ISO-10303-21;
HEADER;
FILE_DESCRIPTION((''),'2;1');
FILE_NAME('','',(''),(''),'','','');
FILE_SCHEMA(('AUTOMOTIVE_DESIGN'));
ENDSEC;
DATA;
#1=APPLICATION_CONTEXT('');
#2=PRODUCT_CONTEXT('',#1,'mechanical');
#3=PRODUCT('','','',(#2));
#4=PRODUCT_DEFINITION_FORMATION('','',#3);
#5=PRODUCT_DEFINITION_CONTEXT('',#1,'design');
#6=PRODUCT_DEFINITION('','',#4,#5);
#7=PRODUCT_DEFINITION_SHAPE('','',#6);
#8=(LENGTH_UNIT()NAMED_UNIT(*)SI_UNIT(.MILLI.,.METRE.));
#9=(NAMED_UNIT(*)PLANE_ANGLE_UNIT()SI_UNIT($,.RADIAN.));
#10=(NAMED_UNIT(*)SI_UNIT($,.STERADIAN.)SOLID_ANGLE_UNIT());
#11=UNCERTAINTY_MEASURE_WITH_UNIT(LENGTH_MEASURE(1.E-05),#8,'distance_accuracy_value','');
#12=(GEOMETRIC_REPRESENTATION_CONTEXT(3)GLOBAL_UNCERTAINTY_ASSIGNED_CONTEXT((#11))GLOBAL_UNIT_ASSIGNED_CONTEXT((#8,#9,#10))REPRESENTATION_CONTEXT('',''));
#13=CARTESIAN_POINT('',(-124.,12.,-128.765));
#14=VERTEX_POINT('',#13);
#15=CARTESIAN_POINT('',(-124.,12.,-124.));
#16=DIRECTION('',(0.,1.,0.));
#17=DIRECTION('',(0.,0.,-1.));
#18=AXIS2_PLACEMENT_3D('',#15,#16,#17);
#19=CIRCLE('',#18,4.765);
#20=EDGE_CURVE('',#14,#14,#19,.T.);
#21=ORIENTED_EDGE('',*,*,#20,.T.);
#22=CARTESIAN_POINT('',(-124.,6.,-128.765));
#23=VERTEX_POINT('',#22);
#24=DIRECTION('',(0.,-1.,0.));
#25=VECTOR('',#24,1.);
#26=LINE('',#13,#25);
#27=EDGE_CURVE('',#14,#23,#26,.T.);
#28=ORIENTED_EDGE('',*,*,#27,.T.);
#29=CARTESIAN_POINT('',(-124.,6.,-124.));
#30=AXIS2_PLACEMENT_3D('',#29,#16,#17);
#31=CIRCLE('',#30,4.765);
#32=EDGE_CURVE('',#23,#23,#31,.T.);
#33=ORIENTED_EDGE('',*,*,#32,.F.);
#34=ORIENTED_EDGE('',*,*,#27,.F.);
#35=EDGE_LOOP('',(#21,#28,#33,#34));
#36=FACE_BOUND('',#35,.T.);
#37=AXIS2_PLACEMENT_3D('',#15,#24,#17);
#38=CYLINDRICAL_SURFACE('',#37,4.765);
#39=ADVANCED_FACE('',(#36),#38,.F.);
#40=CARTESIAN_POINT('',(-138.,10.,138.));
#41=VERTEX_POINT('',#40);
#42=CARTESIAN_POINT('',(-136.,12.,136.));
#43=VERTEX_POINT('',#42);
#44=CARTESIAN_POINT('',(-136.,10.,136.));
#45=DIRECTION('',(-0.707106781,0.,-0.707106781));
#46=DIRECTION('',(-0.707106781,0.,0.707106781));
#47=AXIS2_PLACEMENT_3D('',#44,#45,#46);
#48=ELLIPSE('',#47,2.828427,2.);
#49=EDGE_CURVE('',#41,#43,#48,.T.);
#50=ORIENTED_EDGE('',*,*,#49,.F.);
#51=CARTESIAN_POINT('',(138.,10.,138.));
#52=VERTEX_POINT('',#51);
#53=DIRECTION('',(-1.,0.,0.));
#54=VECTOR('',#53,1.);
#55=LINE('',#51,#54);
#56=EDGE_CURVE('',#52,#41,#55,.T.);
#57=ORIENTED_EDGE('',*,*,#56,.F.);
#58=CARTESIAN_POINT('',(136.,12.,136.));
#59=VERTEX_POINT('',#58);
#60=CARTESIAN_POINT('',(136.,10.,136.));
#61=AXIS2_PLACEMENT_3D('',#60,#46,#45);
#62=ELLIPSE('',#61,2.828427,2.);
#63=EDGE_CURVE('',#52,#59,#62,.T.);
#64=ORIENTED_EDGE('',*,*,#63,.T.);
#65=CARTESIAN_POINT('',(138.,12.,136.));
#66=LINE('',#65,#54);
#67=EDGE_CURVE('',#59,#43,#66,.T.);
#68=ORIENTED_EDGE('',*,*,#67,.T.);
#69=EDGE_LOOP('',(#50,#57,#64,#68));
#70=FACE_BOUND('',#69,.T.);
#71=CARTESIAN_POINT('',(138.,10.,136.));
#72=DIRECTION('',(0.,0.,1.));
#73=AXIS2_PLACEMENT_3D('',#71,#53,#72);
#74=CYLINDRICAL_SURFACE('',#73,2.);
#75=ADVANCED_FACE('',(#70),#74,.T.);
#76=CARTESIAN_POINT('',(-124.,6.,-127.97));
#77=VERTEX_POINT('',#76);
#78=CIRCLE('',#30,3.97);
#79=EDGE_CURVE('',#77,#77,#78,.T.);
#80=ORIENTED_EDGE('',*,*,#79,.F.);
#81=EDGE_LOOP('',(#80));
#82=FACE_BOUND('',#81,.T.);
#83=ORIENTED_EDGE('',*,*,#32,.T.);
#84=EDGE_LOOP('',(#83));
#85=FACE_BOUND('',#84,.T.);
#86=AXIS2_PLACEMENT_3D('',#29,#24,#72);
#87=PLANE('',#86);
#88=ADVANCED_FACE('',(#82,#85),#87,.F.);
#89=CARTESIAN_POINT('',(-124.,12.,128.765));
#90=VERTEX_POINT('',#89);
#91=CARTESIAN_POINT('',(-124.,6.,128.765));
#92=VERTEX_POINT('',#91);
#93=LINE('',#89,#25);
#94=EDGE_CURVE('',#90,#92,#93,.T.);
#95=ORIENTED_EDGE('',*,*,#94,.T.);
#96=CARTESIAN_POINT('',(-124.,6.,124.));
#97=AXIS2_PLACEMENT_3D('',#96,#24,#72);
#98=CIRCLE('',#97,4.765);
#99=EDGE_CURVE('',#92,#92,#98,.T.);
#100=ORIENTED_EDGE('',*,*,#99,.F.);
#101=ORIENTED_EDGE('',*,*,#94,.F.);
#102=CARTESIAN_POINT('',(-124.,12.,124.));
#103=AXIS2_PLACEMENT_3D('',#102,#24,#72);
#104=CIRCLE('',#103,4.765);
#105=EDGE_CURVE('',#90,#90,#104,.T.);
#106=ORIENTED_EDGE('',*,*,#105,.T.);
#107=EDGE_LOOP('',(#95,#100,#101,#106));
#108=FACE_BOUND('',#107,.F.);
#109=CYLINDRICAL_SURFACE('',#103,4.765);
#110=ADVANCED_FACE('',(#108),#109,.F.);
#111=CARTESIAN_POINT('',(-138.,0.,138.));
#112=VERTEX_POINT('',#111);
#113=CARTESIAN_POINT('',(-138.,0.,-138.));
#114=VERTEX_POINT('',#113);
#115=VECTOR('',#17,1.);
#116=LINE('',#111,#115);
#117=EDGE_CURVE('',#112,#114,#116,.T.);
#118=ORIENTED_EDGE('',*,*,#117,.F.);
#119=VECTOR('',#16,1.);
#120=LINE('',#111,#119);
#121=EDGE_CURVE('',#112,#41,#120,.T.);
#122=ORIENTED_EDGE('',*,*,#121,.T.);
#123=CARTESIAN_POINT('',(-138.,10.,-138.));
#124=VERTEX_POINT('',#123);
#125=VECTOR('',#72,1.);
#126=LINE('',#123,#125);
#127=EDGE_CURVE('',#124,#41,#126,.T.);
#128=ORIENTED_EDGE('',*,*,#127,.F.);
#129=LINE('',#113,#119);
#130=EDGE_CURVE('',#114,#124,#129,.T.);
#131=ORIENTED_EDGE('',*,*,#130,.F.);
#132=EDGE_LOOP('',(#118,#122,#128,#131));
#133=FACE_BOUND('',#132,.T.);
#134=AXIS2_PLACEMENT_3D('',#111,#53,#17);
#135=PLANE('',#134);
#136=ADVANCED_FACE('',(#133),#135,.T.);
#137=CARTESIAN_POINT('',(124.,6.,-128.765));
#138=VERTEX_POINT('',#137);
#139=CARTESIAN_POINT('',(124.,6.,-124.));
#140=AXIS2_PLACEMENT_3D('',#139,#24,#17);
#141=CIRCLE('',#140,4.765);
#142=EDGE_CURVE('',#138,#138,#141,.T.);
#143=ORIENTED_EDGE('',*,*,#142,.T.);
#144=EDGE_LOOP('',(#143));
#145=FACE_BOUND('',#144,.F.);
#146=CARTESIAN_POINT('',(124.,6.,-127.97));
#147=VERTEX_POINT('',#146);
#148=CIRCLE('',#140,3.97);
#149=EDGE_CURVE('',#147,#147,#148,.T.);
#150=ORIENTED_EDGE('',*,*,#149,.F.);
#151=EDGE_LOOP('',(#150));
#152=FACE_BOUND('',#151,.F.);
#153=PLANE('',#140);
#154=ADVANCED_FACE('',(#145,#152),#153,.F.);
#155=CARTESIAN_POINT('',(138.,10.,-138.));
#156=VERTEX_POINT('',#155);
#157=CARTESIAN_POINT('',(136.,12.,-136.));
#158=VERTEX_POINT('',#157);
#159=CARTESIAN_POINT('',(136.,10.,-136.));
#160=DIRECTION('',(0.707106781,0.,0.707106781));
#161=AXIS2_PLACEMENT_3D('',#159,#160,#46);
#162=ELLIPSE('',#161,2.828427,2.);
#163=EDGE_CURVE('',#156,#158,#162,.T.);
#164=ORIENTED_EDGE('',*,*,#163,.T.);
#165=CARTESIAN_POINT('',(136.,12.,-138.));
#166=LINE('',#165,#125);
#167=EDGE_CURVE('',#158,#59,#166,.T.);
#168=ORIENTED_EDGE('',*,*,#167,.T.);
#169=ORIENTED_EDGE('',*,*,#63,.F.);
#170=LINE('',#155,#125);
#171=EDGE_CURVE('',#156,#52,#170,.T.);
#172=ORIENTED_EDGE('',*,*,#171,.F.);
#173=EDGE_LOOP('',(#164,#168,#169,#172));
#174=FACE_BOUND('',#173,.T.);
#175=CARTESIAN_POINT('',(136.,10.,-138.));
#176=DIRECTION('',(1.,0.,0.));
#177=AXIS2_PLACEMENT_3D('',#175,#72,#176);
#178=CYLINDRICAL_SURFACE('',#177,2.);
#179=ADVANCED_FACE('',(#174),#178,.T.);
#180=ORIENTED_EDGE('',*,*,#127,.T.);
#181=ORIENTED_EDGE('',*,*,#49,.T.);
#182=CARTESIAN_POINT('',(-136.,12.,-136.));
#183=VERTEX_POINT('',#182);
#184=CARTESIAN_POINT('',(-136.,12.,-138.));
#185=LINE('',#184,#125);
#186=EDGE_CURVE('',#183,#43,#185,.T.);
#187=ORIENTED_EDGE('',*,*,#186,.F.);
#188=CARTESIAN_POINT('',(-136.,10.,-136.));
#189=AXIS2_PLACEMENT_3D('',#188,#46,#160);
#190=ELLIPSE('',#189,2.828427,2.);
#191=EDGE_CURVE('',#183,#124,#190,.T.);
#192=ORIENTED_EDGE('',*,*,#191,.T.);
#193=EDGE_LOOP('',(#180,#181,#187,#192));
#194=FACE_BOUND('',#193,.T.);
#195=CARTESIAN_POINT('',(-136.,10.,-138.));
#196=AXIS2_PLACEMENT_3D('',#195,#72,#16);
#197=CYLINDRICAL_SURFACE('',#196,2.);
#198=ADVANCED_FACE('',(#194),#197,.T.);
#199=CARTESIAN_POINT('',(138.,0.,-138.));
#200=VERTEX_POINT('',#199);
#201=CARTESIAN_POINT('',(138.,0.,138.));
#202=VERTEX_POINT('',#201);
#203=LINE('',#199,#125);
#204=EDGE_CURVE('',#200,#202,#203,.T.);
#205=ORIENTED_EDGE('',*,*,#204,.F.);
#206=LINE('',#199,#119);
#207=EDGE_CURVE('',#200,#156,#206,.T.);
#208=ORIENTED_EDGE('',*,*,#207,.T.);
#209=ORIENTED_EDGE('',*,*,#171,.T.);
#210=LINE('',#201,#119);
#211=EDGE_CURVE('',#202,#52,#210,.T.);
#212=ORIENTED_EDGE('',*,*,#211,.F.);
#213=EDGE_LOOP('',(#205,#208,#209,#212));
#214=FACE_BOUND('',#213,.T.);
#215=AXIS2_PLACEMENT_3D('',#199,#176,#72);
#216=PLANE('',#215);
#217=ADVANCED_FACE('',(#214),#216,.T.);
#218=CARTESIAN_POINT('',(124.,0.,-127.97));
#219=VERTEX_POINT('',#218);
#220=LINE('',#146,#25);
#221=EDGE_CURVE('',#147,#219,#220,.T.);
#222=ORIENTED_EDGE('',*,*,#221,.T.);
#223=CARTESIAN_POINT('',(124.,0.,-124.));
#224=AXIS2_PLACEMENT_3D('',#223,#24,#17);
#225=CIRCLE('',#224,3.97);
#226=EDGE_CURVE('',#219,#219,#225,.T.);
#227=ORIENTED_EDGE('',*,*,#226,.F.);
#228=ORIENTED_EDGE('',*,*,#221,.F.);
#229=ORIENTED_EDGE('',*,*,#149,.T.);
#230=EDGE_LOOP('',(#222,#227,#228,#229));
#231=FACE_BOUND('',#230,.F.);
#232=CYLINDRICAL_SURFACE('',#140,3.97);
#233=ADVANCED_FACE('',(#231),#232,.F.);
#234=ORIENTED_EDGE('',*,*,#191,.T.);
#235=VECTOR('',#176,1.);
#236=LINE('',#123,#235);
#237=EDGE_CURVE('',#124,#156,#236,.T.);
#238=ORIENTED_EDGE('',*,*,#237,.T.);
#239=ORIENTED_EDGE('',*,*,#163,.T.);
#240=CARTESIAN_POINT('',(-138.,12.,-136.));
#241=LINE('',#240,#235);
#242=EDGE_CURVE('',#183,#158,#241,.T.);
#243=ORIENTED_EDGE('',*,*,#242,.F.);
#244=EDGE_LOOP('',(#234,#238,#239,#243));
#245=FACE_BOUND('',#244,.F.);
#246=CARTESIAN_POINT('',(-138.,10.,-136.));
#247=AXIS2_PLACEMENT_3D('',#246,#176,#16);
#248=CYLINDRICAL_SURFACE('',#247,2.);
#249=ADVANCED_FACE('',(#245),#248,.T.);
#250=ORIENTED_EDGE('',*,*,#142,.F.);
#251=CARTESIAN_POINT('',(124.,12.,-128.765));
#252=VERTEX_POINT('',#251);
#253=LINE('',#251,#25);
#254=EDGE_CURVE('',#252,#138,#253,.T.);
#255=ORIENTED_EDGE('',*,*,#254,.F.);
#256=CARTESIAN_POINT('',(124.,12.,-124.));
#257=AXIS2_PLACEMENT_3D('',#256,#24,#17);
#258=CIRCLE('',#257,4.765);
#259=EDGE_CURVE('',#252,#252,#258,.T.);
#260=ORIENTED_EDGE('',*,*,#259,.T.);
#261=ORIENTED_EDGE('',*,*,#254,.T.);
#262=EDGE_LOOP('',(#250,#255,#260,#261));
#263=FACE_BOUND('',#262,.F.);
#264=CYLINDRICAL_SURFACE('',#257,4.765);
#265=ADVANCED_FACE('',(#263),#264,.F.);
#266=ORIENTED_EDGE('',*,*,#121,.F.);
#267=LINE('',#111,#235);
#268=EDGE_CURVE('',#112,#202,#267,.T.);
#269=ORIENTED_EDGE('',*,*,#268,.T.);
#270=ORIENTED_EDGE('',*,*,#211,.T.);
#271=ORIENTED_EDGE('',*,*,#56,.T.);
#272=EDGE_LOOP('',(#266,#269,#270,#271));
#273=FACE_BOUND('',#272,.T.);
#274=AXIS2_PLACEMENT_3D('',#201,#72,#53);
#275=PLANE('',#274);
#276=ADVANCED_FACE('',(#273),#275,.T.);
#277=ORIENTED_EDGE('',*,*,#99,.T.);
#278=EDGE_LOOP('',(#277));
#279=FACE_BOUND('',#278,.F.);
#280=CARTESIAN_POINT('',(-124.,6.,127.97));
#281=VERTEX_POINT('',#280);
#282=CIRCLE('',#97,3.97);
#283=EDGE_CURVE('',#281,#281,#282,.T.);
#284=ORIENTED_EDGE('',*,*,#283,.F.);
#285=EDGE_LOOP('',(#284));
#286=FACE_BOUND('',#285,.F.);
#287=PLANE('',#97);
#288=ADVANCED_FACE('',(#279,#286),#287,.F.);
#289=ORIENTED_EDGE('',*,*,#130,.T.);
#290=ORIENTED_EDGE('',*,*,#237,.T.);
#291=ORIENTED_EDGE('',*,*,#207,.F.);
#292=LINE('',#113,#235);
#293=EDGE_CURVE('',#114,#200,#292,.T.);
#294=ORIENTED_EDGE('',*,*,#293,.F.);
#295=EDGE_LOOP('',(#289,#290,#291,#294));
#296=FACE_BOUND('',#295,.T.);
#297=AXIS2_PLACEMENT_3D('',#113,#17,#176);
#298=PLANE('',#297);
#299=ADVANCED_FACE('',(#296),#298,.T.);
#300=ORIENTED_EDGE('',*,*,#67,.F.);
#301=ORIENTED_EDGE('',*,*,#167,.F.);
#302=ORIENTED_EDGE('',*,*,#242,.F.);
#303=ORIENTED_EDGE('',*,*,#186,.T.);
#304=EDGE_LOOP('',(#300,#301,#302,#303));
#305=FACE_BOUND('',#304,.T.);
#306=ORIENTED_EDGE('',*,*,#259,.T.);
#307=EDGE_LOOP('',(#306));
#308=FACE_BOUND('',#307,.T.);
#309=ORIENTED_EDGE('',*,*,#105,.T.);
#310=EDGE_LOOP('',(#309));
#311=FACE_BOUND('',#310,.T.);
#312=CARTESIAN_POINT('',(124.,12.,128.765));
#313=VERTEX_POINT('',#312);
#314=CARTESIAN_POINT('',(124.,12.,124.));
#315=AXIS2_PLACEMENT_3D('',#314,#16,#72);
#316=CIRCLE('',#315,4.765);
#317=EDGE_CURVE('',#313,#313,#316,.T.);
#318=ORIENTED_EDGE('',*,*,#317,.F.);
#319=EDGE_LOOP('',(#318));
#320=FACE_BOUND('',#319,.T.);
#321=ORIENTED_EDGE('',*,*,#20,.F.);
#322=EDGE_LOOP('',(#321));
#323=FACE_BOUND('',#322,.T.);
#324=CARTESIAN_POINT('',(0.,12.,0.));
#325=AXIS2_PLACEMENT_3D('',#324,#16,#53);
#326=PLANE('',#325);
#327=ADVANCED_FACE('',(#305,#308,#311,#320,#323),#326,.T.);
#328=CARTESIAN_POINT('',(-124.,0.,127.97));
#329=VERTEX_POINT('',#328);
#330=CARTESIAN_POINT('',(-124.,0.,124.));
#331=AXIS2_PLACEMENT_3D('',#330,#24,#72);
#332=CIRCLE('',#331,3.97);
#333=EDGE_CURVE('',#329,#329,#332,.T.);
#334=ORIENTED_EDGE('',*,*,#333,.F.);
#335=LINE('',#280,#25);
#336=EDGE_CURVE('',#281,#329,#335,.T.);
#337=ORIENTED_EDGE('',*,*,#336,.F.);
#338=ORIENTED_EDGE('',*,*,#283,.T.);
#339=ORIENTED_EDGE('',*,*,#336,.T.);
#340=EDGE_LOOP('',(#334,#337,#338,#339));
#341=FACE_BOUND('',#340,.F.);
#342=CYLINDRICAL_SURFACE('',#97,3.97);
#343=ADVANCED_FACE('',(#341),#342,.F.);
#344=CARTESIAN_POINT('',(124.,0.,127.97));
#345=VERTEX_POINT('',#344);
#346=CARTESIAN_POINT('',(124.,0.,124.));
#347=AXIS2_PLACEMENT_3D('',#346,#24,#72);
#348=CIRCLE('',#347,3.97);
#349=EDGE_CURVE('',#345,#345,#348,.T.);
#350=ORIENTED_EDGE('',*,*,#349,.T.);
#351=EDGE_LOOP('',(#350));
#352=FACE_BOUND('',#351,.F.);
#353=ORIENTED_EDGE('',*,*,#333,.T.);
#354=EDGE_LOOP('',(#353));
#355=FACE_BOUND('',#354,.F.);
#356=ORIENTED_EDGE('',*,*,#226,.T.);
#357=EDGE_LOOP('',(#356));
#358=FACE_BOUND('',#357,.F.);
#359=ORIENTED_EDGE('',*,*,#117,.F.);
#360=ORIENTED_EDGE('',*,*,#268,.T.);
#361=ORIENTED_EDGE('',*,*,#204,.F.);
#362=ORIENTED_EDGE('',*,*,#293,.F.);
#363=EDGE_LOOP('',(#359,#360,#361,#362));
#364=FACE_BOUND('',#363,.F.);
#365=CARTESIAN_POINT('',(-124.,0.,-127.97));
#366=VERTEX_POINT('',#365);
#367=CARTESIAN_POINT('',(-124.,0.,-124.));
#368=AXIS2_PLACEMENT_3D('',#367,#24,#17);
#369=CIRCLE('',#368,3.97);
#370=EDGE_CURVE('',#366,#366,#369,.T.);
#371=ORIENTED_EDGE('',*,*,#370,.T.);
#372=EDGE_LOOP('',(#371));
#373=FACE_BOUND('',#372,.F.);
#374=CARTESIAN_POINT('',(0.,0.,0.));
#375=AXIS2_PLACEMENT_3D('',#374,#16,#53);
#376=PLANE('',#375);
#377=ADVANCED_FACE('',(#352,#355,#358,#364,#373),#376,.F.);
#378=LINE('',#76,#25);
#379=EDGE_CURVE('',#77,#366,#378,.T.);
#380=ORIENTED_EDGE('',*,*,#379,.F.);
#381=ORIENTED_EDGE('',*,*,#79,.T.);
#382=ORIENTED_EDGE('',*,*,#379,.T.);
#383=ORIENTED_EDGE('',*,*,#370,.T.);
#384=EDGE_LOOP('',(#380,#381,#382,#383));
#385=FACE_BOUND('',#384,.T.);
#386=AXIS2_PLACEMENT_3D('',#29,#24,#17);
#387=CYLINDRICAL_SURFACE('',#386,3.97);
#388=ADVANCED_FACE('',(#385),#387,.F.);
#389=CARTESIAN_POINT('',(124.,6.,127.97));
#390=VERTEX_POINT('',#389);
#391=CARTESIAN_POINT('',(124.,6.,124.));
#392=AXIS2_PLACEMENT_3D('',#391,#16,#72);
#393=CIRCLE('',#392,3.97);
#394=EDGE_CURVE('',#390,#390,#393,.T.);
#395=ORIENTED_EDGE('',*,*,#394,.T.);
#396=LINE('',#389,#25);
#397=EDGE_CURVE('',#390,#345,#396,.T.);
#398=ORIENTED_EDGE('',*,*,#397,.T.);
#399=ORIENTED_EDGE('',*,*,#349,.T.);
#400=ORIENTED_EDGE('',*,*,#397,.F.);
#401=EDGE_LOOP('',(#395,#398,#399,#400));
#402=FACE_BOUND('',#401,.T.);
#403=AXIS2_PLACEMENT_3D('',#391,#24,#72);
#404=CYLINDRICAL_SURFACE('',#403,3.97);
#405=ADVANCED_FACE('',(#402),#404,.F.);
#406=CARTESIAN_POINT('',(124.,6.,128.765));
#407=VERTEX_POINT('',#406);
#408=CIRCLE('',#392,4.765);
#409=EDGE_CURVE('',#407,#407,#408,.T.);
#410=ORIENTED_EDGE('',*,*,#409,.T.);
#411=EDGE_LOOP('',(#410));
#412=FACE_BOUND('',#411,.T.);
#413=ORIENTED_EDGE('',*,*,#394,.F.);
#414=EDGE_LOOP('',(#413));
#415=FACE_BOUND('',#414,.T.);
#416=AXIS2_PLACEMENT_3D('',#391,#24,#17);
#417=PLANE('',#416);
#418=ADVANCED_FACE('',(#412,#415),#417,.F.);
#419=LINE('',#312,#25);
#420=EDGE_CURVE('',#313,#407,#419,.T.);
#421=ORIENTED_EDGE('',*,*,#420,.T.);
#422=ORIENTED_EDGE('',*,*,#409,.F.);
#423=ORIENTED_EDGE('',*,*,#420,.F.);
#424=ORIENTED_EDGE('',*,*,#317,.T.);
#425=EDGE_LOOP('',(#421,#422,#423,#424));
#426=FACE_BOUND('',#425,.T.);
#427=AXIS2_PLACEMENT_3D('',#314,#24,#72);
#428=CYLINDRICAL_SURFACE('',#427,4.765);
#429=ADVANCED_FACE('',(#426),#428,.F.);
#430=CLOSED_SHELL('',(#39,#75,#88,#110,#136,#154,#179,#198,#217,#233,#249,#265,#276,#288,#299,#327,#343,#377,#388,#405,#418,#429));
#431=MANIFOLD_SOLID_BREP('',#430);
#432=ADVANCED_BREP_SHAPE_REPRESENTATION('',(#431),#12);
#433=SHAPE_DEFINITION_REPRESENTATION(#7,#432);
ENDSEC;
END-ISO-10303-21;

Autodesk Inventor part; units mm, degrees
ref_plane "YZ Plane" through (0, 0, 0) normal (1, 0, 0) x (0, 1, 0)
ref_plane "XZ Plane" through (0, 0, 0) normal (0, 1, 0) x (-1, 0, 0)
ref_plane "XY Plane" through (0, 0, 0) normal (0, 0, 1) x (1, 0, 0)
sketch "Sketch1" plane through (0, 0, 0) normal (0, 1, 0) x (-1, 0, 0)
  line L0 (-138, 138) -> (138, 138)
  line L1 (138, 138) -> (138, -138)
  line L2 (138, -138) -> (-138, -138)
  line L3 (-138, -138) -> (-138, 138)
  line L4 (-138, 138) -> (138, -138) construction
  line L5 (138, 138) -> (-138, -138) construction
  line L6 (138, 130.5) -> (130.5, 130.5)
  line L7 (130.5, 130.5) -> (130.5, 138)
  point P0 (0, 0)
  dimension "d0" = 276
  dimension "d1" = 276
  dimension "d18" = 7.5
extrude "Extrusion1" add sketch "Sketch1" along normal blind 12
sketch "Sketch3" plane through (0, 12, 0) normal (0, 1, 0) x (1, 0, 0)
  line L0 (-138, 138) -> (-138, -138) projected
  line L1 (-138, -138) -> (138, -138) projected
  point P0 (0, 0)
  point P1 (-124, -124)
  dimension "d21" = 14
  dimension "d22" = 14
hole "Hole2" at (-124, 12, 124) direction (0, -1, 0) diameter 7.94 end through all counterbore diameter 9.53 counterbore depth 6
mirror "Mirror1 Right" about plane through (0, 0, 0) normal (0, 0, 1) of "Hole2"
mirror "Mirror2 Bottom" about plane through (0, 0, 0) normal (1, 0, 0) of "Hole2", "Mirror1 Right"
fillet "Fillet1" radius 2 4 edges at (0, 12, 138) (-138, 12, 0) (138, 12, 0) (0, 12, -138)
properties part number "Arrow Panel" material "Polycarbonate, Clear"
